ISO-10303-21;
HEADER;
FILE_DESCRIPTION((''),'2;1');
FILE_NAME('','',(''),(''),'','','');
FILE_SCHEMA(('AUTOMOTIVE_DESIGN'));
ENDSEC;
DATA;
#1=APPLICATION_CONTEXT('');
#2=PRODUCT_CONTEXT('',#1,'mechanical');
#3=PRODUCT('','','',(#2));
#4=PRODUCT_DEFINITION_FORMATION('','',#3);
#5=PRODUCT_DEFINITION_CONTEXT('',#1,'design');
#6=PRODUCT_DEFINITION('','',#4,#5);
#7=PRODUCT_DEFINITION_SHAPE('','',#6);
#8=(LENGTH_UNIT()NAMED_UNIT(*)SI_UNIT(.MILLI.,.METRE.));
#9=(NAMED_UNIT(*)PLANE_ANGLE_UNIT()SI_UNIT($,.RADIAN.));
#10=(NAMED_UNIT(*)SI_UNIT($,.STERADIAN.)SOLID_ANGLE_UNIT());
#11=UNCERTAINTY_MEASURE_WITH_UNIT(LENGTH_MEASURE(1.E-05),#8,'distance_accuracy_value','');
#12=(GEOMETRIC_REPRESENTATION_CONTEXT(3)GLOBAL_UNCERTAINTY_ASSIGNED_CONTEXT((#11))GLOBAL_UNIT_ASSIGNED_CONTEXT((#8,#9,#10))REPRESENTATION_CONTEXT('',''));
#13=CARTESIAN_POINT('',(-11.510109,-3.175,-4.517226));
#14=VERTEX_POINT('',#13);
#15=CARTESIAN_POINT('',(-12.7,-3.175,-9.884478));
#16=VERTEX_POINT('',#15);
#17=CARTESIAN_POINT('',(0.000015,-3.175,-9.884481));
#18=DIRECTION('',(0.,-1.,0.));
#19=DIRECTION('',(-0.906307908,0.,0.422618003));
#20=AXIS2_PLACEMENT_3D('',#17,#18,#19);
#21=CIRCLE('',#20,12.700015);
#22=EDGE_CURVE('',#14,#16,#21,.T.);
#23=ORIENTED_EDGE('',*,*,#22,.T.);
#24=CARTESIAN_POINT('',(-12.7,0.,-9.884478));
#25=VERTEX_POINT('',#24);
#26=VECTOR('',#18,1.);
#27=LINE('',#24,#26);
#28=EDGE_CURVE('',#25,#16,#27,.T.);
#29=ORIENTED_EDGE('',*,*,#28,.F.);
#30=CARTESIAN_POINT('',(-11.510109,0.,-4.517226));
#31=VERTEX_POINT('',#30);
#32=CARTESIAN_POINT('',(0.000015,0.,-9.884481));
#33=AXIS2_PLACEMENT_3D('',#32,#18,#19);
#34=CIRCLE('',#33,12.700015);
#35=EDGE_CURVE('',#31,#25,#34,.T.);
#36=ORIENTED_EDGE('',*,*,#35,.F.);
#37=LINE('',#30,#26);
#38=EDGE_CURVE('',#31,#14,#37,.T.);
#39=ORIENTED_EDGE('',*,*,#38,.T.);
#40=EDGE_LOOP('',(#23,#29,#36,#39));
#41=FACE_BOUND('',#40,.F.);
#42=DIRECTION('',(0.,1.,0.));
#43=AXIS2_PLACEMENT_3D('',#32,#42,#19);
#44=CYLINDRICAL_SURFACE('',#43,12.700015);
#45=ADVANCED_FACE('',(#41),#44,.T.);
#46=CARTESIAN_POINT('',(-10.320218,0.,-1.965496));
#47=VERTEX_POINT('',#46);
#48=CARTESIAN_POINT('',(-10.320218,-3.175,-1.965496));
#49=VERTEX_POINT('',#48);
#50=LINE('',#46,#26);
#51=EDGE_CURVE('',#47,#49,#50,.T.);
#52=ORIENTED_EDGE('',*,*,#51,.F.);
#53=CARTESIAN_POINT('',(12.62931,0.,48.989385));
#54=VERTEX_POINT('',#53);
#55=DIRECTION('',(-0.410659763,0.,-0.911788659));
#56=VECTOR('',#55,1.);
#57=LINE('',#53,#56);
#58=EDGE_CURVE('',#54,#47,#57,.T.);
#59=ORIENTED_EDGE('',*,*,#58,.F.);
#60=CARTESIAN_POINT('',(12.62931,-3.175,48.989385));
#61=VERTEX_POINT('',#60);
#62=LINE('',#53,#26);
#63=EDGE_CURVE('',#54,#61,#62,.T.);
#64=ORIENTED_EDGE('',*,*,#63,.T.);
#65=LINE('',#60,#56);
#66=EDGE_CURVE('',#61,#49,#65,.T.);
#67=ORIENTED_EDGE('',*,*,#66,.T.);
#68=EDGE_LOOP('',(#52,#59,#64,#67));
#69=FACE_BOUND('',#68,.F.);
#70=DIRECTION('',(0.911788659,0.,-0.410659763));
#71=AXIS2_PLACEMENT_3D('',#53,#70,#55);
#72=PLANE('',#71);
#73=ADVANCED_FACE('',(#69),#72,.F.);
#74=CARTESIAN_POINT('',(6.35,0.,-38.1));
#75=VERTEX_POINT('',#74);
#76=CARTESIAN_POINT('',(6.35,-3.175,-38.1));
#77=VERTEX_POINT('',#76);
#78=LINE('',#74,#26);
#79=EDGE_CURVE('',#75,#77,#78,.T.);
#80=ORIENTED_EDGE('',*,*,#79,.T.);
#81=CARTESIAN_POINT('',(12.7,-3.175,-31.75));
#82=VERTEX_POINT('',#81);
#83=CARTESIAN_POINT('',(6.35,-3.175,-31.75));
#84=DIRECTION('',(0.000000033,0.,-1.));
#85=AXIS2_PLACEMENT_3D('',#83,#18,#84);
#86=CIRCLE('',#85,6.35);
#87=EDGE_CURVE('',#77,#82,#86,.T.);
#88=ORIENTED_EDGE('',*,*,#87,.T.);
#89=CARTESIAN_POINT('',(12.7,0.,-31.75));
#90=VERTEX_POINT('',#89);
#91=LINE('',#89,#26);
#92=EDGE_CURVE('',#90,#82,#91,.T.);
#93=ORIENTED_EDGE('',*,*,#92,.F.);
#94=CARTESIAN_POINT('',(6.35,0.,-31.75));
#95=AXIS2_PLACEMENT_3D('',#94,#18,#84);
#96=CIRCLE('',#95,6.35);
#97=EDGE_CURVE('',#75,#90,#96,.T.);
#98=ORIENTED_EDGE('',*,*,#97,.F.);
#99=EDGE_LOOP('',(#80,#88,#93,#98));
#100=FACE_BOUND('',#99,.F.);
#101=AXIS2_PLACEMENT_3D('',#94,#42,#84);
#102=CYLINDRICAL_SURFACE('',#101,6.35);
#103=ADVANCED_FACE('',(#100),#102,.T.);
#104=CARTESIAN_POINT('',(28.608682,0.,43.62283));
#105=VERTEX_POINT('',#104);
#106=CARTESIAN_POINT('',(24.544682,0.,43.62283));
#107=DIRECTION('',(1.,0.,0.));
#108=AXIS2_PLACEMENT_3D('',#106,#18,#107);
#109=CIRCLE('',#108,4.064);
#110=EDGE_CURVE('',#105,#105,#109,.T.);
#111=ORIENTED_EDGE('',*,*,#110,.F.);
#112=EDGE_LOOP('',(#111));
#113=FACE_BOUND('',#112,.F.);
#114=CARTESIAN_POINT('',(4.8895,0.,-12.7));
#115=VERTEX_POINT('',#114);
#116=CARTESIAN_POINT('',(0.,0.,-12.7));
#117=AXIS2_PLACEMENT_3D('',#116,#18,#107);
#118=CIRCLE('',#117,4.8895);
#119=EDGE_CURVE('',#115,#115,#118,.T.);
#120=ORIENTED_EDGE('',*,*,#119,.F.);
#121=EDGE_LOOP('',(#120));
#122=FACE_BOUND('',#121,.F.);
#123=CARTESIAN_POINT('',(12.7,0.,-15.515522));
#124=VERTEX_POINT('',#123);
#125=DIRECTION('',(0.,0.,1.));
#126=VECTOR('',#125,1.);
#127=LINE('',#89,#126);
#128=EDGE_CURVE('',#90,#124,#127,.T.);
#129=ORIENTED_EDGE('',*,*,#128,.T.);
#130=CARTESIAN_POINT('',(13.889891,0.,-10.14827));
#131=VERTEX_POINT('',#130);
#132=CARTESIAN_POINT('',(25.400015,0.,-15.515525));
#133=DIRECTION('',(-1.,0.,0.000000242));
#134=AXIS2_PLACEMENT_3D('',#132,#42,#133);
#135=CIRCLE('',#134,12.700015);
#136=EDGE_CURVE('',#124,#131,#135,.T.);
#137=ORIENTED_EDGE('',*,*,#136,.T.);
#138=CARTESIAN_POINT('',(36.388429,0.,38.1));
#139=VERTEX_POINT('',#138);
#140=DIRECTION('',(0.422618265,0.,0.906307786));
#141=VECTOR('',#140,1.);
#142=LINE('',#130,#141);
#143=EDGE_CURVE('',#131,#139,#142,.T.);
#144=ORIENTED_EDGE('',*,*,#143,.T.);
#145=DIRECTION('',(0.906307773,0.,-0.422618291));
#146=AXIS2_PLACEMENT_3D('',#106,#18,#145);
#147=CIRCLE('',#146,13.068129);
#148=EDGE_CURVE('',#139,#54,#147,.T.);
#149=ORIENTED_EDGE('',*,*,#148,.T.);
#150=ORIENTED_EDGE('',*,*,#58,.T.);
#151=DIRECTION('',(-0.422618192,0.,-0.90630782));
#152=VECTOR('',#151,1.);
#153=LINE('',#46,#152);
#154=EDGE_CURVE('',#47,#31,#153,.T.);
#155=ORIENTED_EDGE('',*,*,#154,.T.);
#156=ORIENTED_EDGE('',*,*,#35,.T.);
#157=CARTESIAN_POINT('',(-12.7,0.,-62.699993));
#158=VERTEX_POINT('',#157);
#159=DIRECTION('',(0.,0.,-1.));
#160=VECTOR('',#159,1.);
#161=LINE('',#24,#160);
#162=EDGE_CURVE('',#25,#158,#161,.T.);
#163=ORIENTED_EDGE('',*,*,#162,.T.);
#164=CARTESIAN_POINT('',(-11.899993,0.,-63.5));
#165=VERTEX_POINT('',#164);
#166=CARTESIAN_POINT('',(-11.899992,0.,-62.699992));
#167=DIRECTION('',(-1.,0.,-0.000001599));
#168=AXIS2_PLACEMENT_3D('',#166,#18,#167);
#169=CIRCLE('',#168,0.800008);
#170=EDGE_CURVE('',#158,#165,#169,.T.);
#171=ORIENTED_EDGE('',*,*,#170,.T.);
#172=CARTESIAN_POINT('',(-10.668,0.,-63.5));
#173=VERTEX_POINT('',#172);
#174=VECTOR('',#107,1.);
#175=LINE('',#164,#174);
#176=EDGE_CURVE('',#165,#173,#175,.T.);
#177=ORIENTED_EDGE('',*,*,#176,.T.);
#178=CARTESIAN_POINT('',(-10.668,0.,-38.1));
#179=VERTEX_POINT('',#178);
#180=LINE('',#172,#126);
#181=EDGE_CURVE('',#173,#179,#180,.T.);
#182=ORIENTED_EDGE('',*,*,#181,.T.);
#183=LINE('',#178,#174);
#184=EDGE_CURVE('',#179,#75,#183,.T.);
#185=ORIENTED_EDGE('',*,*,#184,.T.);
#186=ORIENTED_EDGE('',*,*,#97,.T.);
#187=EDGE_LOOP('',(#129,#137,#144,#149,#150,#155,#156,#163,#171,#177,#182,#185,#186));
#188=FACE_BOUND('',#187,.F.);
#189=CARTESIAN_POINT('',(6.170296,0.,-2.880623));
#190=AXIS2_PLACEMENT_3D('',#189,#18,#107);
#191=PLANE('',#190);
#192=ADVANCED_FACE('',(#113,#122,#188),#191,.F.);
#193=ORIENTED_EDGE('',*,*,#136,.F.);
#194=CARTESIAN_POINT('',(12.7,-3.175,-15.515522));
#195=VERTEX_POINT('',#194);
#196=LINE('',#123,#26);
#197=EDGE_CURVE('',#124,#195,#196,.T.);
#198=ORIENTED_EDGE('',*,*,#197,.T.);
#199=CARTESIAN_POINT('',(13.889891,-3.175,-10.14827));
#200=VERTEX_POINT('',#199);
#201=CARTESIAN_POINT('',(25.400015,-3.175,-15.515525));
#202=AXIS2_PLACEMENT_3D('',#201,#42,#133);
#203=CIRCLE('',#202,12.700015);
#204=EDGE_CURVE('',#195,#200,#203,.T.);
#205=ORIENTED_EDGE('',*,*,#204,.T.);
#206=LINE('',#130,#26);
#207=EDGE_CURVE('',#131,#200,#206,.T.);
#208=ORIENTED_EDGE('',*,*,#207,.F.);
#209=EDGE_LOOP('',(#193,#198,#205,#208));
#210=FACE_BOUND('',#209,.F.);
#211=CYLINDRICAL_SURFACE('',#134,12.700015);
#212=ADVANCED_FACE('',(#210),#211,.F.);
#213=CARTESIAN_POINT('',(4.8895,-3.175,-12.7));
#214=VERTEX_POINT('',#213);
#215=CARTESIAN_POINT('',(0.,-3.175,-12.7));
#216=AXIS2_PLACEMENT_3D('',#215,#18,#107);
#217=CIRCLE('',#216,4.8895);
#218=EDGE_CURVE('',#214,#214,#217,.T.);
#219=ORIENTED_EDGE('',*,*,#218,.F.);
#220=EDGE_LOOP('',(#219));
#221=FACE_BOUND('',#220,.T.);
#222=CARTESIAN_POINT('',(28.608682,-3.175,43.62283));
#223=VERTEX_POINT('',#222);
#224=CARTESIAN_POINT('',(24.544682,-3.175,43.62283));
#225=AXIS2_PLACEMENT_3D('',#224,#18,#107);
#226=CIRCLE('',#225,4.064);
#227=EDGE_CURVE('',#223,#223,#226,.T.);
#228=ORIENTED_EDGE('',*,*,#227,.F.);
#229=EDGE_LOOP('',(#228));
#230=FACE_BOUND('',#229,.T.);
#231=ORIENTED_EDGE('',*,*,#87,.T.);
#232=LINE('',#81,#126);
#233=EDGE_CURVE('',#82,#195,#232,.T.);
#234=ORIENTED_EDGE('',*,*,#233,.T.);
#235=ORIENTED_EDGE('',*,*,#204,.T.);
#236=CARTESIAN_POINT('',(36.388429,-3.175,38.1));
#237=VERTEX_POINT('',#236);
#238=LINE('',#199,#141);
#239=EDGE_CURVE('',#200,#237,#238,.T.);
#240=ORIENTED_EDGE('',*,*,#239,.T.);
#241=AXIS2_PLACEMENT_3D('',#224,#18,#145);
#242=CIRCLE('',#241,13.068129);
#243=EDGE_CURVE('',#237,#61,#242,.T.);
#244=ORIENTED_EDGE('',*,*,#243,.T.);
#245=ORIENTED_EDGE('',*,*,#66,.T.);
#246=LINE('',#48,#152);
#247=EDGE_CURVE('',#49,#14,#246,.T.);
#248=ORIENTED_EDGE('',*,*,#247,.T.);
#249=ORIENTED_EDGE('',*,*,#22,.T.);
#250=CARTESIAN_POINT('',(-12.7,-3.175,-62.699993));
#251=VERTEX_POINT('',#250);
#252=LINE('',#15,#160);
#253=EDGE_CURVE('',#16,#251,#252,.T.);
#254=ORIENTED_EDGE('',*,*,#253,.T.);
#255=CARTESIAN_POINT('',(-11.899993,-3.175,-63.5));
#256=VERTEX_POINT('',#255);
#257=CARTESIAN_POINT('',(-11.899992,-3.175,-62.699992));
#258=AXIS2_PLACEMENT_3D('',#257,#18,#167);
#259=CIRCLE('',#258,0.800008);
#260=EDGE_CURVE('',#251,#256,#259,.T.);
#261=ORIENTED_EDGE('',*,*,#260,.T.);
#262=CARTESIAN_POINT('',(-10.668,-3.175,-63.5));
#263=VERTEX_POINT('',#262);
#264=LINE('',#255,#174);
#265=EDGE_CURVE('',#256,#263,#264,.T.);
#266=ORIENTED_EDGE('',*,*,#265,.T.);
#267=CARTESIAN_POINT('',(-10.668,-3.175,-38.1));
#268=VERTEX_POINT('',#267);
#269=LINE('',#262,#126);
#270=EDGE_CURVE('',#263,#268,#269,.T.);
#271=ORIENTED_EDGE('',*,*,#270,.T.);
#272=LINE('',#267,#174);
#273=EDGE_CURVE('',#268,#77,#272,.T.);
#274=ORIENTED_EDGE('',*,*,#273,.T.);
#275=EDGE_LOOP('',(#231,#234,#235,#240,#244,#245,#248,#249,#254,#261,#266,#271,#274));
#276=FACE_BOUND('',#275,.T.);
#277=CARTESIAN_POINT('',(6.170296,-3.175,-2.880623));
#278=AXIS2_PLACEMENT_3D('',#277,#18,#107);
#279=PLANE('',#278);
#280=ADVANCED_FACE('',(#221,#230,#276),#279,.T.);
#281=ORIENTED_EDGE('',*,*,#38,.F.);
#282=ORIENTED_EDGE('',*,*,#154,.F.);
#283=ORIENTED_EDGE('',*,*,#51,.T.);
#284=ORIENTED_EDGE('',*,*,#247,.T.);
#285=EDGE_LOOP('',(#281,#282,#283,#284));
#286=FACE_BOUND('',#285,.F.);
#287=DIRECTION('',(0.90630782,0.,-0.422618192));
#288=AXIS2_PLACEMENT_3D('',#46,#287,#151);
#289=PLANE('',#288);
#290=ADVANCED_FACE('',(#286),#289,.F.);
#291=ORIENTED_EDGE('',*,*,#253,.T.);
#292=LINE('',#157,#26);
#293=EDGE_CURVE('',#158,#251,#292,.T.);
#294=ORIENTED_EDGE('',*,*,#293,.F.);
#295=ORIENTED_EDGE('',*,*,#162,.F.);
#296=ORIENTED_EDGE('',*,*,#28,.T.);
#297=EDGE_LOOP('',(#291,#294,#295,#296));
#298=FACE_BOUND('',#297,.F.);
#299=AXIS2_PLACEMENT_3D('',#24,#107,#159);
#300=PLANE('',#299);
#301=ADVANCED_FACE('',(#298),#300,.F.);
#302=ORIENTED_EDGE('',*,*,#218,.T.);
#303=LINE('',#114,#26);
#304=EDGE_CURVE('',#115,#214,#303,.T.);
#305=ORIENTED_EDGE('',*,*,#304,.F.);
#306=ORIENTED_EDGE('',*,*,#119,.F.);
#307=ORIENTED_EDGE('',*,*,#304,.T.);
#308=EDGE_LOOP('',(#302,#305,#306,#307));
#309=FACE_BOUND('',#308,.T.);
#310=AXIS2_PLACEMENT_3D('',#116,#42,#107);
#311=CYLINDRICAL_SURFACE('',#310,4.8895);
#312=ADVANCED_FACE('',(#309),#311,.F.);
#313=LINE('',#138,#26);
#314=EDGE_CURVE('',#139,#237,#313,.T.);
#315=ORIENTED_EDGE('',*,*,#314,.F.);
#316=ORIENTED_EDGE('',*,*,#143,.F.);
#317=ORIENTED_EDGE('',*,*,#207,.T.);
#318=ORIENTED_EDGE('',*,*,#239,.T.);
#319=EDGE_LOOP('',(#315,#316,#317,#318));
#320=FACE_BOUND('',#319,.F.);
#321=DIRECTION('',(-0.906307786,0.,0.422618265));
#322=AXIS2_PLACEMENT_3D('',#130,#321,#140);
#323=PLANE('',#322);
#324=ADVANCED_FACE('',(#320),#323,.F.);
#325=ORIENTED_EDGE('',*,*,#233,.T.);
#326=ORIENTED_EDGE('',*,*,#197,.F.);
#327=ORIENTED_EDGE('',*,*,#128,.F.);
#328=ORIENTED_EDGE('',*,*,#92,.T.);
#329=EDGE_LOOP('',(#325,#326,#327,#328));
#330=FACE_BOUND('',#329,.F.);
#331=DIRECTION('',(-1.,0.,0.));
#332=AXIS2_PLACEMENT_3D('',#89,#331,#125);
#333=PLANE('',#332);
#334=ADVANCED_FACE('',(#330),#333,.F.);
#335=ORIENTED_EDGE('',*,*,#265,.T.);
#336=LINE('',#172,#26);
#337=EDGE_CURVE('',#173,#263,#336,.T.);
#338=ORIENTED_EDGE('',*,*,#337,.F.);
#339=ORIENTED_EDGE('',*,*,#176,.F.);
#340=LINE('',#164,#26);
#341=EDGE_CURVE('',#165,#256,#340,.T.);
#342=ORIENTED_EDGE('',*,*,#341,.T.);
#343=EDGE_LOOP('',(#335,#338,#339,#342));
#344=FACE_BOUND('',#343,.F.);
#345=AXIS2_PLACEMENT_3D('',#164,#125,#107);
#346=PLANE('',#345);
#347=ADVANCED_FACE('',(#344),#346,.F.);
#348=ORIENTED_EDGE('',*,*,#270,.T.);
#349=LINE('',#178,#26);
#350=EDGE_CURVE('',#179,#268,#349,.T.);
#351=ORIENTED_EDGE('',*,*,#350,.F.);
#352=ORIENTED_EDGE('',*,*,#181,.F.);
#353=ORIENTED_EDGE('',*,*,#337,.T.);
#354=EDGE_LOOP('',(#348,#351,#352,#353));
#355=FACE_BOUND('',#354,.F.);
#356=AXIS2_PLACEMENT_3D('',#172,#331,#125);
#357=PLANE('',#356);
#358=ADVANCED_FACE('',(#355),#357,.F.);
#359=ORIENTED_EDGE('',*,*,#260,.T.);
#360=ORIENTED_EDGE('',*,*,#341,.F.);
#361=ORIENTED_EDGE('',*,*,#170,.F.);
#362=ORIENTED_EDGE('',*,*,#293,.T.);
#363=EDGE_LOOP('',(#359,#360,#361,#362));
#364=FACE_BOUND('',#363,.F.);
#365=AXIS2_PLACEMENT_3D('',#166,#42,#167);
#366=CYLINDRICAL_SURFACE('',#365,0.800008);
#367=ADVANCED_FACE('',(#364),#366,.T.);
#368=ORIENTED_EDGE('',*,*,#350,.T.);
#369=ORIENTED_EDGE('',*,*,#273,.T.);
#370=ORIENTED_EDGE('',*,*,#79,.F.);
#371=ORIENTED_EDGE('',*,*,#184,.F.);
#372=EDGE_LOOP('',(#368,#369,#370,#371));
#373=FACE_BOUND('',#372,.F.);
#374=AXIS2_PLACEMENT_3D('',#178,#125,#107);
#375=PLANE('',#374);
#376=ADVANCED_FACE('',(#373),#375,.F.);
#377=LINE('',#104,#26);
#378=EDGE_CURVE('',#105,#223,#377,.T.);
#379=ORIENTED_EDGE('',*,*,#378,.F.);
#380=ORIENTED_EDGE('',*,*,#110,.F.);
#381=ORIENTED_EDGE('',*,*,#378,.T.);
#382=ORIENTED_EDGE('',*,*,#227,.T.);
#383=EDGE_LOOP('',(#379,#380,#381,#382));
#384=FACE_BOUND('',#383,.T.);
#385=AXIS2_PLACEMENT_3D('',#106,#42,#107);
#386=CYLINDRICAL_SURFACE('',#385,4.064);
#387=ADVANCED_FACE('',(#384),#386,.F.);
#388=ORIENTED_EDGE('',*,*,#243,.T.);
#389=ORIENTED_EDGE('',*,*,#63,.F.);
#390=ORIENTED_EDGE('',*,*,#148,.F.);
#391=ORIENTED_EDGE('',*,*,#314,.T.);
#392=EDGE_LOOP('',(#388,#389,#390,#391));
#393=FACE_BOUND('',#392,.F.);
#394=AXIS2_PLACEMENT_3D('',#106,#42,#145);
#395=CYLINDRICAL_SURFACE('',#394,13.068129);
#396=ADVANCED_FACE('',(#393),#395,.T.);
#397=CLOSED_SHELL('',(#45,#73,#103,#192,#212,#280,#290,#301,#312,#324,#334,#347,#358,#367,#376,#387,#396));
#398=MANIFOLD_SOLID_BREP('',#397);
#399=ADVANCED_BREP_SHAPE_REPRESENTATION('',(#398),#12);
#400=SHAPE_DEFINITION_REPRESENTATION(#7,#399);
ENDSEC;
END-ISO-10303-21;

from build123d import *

# Parameters (mm, degrees)
F0_R     = 4.8895
F0_R_2   = 4.064
F1_DEPTH = 3.175


with BuildPart() as f1:
    # F0 (on Front) → F1 (new body)
    with BuildSketch(Plane.XZ):
        with BuildLine():
            Line((-11.899993, -63.5), (-10.668, -63.5))
            Line((-10.668, -63.5), (-10.668, -38.1))
            Line((-10.668, -38.1), (6.35, -38.1))
            ThreePointArc((6.35, -38.1), (10.840128, -36.240128), (12.7, -31.75))
            Line((12.7, -31.75), (12.7, -15.515522))
            ThreePointArc((12.7, -15.515522), (13.001041, -12.766739), (13.889891, -10.14827))
            Line((13.889891, -10.14827), (36.388429, 38.1))
            ThreePointArc((36.388429, 38.1), (29.989492, 55.502647), (12.62931, 48.989385))
            Line((12.62931, 48.989385), (-10.320218, -1.965496))
            Line((-10.320218, -1.965496), (-11.510109, -4.517226))
            ThreePointArc((-11.510109, -4.517226), (-12.398959, -7.135695), (-12.7, -9.884478))
            Line((-12.7, -9.884478), (-12.7, -13.226439))
            Line((-12.7, -13.226439), (-12.7, -62.699993))
            ThreePointArc((-12.7, -62.699993), (-12.465683, -63.265683), (-11.899993, -63.5))
        make_face()
        with Locations((0, -12.7)):
            Circle(F0_R, mode=Mode.SUBTRACT)
        with Locations((24.544682, 43.62283)):
            Circle(F0_R_2, mode=Mode.SUBTRACT)
    extrude(amount=F1_DEPTH)


solid = f1.part
